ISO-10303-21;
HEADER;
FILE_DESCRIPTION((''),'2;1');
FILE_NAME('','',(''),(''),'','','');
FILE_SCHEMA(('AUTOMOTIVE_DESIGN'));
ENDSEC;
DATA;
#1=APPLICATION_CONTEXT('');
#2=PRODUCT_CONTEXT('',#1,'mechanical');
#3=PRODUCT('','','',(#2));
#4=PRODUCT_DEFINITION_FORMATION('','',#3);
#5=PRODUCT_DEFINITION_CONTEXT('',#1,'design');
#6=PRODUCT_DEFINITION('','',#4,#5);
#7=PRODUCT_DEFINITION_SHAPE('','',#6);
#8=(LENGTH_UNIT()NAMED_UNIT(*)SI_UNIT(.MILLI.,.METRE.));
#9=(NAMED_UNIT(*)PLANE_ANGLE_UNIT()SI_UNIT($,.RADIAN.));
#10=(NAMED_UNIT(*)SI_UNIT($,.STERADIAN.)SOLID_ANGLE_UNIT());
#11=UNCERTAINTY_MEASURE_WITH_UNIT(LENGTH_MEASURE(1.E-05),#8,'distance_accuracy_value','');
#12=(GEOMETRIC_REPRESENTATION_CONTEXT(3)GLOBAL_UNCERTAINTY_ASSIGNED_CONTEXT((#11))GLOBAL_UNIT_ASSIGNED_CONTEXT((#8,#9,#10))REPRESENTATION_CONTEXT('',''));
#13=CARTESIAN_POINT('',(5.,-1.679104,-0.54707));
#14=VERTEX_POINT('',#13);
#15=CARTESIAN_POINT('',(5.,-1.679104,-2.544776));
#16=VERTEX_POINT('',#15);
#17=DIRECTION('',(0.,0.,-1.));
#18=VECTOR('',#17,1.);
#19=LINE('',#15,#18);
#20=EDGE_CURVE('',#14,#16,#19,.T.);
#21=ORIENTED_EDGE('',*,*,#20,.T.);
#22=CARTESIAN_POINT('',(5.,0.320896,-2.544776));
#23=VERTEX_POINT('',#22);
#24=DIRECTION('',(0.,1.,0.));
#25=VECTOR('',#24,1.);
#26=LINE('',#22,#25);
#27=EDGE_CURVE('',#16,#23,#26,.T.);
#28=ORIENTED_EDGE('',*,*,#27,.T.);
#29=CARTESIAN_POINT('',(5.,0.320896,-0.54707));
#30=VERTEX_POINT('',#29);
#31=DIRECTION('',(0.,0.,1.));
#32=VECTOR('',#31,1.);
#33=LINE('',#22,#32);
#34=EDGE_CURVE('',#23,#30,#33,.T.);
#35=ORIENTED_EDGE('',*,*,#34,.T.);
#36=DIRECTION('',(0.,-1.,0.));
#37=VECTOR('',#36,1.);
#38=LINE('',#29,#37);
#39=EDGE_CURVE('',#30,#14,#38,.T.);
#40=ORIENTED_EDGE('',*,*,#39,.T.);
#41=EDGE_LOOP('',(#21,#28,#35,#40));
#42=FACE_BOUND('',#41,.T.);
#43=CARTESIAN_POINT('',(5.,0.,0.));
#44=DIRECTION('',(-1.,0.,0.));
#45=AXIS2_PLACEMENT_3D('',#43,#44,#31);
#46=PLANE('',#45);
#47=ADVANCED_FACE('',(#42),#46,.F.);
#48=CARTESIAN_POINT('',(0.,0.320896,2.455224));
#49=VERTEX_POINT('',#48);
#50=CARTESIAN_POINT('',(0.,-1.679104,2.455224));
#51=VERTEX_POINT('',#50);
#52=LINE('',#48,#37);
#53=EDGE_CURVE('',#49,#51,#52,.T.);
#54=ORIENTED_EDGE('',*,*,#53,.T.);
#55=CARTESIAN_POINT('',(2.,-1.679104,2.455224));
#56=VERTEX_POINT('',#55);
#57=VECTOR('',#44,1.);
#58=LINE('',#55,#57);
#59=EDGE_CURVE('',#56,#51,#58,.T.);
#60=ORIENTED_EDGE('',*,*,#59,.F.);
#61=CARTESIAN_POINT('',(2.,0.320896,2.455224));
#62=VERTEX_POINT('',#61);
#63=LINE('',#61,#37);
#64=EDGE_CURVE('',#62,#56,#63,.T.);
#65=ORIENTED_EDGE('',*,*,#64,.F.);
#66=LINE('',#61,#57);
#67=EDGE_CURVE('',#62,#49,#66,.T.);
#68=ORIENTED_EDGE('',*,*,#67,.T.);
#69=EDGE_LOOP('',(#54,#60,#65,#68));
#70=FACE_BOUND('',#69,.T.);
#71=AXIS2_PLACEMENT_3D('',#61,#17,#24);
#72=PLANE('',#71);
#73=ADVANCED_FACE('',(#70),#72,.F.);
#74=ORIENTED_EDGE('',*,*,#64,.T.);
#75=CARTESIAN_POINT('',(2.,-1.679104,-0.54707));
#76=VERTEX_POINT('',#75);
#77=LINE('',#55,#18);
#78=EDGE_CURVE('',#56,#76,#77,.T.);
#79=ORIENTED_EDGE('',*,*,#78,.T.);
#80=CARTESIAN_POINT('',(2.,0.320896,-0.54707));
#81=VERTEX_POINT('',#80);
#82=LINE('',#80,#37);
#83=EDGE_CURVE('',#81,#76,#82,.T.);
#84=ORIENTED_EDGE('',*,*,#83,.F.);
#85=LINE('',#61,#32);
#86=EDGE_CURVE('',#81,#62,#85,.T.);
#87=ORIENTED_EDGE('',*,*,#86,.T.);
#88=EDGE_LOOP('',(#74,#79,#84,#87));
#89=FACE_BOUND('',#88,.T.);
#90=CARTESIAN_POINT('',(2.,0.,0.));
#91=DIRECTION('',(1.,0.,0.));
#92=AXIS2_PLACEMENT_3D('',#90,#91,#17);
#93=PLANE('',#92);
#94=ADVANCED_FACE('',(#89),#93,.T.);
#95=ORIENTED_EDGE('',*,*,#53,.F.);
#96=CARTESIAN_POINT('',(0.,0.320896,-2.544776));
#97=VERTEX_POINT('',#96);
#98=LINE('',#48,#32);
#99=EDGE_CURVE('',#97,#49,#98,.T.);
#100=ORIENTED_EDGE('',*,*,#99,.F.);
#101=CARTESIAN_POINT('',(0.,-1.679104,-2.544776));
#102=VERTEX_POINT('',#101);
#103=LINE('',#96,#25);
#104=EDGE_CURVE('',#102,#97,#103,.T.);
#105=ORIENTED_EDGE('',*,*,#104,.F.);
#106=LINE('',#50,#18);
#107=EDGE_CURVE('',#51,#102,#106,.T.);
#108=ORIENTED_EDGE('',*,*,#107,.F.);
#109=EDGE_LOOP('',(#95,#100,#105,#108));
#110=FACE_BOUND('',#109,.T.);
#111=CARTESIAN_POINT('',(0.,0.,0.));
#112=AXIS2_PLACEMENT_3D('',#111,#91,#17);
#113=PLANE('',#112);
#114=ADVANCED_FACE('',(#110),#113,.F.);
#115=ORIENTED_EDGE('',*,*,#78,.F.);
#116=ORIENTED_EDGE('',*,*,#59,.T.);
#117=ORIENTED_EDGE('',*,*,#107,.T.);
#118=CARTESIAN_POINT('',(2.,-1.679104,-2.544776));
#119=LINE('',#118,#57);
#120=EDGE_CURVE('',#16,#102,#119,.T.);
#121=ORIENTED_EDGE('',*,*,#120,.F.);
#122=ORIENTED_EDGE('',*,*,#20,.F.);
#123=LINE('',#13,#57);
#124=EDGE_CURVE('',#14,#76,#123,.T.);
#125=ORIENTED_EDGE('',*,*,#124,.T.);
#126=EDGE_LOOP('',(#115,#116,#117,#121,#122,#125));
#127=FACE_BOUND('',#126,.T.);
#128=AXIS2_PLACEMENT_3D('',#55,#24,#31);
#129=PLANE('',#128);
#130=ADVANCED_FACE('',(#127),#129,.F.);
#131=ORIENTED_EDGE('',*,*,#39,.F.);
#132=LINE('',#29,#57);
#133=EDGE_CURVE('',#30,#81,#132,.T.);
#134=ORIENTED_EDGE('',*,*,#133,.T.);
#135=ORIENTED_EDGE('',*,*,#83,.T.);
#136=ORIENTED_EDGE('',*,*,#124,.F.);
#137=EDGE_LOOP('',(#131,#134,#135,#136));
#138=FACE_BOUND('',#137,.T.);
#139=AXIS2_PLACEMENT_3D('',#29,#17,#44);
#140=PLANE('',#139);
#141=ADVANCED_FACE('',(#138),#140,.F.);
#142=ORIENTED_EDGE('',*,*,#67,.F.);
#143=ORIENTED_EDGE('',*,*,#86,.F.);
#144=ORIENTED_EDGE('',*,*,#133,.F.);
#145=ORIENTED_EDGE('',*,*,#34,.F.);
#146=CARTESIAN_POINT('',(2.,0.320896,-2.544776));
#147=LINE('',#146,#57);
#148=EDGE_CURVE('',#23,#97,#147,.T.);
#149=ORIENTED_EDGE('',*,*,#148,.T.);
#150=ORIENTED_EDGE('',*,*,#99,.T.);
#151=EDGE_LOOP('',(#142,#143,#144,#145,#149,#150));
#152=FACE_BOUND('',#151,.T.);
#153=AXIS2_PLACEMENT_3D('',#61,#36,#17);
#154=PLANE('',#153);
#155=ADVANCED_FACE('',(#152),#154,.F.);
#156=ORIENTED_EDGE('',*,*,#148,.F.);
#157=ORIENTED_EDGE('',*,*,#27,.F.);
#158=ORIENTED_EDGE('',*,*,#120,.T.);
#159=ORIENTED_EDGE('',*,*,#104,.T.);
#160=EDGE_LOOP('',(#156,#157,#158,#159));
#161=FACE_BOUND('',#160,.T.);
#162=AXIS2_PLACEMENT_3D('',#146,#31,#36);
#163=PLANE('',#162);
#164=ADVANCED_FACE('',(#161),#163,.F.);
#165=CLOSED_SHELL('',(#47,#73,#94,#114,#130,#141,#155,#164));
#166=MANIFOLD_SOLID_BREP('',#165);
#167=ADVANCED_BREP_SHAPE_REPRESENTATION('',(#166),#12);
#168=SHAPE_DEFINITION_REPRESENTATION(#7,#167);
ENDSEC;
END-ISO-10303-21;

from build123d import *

# Parameters (mm, degrees)
ESQUISSE1_W        = 5
ESQUISSE1_H        = 2
BOSS_EXTRU_1_DEPTH = 2
ESQUISSE2_W        = 1.997705708
ESQUISSE2_H        = 2
BOSS_EXTRU_2_DEPTH = 3


with BuildPart() as part:
    # Esquisse1 → Boss.-Extru.1 (new body)
    with BuildSketch(Plane(origin=(0, 0, 0), x_dir=(0, 0, -1), z_dir=(1, 0, 0))):
        with Locations((0.044776119, -0.679104478)):
            Rectangle(ESQUISSE1_W, ESQUISSE1_H)
    extrude(amount=BOSS_EXTRU_1_DEPTH)

    # Esquisse2 → Boss.-Extru.2 (add)
    with BuildSketch(Plane(origin=(2, 0, 0), x_dir=(0, 0, -1), z_dir=(1, 0, 0))):
        with Locations((1.545923265, -0.679104478)):
            Rectangle(ESQUISSE2_W, ESQUISSE2_H)
    extrude(amount=BOSS_EXTRU_2_DEPTH)


solid = part.part
